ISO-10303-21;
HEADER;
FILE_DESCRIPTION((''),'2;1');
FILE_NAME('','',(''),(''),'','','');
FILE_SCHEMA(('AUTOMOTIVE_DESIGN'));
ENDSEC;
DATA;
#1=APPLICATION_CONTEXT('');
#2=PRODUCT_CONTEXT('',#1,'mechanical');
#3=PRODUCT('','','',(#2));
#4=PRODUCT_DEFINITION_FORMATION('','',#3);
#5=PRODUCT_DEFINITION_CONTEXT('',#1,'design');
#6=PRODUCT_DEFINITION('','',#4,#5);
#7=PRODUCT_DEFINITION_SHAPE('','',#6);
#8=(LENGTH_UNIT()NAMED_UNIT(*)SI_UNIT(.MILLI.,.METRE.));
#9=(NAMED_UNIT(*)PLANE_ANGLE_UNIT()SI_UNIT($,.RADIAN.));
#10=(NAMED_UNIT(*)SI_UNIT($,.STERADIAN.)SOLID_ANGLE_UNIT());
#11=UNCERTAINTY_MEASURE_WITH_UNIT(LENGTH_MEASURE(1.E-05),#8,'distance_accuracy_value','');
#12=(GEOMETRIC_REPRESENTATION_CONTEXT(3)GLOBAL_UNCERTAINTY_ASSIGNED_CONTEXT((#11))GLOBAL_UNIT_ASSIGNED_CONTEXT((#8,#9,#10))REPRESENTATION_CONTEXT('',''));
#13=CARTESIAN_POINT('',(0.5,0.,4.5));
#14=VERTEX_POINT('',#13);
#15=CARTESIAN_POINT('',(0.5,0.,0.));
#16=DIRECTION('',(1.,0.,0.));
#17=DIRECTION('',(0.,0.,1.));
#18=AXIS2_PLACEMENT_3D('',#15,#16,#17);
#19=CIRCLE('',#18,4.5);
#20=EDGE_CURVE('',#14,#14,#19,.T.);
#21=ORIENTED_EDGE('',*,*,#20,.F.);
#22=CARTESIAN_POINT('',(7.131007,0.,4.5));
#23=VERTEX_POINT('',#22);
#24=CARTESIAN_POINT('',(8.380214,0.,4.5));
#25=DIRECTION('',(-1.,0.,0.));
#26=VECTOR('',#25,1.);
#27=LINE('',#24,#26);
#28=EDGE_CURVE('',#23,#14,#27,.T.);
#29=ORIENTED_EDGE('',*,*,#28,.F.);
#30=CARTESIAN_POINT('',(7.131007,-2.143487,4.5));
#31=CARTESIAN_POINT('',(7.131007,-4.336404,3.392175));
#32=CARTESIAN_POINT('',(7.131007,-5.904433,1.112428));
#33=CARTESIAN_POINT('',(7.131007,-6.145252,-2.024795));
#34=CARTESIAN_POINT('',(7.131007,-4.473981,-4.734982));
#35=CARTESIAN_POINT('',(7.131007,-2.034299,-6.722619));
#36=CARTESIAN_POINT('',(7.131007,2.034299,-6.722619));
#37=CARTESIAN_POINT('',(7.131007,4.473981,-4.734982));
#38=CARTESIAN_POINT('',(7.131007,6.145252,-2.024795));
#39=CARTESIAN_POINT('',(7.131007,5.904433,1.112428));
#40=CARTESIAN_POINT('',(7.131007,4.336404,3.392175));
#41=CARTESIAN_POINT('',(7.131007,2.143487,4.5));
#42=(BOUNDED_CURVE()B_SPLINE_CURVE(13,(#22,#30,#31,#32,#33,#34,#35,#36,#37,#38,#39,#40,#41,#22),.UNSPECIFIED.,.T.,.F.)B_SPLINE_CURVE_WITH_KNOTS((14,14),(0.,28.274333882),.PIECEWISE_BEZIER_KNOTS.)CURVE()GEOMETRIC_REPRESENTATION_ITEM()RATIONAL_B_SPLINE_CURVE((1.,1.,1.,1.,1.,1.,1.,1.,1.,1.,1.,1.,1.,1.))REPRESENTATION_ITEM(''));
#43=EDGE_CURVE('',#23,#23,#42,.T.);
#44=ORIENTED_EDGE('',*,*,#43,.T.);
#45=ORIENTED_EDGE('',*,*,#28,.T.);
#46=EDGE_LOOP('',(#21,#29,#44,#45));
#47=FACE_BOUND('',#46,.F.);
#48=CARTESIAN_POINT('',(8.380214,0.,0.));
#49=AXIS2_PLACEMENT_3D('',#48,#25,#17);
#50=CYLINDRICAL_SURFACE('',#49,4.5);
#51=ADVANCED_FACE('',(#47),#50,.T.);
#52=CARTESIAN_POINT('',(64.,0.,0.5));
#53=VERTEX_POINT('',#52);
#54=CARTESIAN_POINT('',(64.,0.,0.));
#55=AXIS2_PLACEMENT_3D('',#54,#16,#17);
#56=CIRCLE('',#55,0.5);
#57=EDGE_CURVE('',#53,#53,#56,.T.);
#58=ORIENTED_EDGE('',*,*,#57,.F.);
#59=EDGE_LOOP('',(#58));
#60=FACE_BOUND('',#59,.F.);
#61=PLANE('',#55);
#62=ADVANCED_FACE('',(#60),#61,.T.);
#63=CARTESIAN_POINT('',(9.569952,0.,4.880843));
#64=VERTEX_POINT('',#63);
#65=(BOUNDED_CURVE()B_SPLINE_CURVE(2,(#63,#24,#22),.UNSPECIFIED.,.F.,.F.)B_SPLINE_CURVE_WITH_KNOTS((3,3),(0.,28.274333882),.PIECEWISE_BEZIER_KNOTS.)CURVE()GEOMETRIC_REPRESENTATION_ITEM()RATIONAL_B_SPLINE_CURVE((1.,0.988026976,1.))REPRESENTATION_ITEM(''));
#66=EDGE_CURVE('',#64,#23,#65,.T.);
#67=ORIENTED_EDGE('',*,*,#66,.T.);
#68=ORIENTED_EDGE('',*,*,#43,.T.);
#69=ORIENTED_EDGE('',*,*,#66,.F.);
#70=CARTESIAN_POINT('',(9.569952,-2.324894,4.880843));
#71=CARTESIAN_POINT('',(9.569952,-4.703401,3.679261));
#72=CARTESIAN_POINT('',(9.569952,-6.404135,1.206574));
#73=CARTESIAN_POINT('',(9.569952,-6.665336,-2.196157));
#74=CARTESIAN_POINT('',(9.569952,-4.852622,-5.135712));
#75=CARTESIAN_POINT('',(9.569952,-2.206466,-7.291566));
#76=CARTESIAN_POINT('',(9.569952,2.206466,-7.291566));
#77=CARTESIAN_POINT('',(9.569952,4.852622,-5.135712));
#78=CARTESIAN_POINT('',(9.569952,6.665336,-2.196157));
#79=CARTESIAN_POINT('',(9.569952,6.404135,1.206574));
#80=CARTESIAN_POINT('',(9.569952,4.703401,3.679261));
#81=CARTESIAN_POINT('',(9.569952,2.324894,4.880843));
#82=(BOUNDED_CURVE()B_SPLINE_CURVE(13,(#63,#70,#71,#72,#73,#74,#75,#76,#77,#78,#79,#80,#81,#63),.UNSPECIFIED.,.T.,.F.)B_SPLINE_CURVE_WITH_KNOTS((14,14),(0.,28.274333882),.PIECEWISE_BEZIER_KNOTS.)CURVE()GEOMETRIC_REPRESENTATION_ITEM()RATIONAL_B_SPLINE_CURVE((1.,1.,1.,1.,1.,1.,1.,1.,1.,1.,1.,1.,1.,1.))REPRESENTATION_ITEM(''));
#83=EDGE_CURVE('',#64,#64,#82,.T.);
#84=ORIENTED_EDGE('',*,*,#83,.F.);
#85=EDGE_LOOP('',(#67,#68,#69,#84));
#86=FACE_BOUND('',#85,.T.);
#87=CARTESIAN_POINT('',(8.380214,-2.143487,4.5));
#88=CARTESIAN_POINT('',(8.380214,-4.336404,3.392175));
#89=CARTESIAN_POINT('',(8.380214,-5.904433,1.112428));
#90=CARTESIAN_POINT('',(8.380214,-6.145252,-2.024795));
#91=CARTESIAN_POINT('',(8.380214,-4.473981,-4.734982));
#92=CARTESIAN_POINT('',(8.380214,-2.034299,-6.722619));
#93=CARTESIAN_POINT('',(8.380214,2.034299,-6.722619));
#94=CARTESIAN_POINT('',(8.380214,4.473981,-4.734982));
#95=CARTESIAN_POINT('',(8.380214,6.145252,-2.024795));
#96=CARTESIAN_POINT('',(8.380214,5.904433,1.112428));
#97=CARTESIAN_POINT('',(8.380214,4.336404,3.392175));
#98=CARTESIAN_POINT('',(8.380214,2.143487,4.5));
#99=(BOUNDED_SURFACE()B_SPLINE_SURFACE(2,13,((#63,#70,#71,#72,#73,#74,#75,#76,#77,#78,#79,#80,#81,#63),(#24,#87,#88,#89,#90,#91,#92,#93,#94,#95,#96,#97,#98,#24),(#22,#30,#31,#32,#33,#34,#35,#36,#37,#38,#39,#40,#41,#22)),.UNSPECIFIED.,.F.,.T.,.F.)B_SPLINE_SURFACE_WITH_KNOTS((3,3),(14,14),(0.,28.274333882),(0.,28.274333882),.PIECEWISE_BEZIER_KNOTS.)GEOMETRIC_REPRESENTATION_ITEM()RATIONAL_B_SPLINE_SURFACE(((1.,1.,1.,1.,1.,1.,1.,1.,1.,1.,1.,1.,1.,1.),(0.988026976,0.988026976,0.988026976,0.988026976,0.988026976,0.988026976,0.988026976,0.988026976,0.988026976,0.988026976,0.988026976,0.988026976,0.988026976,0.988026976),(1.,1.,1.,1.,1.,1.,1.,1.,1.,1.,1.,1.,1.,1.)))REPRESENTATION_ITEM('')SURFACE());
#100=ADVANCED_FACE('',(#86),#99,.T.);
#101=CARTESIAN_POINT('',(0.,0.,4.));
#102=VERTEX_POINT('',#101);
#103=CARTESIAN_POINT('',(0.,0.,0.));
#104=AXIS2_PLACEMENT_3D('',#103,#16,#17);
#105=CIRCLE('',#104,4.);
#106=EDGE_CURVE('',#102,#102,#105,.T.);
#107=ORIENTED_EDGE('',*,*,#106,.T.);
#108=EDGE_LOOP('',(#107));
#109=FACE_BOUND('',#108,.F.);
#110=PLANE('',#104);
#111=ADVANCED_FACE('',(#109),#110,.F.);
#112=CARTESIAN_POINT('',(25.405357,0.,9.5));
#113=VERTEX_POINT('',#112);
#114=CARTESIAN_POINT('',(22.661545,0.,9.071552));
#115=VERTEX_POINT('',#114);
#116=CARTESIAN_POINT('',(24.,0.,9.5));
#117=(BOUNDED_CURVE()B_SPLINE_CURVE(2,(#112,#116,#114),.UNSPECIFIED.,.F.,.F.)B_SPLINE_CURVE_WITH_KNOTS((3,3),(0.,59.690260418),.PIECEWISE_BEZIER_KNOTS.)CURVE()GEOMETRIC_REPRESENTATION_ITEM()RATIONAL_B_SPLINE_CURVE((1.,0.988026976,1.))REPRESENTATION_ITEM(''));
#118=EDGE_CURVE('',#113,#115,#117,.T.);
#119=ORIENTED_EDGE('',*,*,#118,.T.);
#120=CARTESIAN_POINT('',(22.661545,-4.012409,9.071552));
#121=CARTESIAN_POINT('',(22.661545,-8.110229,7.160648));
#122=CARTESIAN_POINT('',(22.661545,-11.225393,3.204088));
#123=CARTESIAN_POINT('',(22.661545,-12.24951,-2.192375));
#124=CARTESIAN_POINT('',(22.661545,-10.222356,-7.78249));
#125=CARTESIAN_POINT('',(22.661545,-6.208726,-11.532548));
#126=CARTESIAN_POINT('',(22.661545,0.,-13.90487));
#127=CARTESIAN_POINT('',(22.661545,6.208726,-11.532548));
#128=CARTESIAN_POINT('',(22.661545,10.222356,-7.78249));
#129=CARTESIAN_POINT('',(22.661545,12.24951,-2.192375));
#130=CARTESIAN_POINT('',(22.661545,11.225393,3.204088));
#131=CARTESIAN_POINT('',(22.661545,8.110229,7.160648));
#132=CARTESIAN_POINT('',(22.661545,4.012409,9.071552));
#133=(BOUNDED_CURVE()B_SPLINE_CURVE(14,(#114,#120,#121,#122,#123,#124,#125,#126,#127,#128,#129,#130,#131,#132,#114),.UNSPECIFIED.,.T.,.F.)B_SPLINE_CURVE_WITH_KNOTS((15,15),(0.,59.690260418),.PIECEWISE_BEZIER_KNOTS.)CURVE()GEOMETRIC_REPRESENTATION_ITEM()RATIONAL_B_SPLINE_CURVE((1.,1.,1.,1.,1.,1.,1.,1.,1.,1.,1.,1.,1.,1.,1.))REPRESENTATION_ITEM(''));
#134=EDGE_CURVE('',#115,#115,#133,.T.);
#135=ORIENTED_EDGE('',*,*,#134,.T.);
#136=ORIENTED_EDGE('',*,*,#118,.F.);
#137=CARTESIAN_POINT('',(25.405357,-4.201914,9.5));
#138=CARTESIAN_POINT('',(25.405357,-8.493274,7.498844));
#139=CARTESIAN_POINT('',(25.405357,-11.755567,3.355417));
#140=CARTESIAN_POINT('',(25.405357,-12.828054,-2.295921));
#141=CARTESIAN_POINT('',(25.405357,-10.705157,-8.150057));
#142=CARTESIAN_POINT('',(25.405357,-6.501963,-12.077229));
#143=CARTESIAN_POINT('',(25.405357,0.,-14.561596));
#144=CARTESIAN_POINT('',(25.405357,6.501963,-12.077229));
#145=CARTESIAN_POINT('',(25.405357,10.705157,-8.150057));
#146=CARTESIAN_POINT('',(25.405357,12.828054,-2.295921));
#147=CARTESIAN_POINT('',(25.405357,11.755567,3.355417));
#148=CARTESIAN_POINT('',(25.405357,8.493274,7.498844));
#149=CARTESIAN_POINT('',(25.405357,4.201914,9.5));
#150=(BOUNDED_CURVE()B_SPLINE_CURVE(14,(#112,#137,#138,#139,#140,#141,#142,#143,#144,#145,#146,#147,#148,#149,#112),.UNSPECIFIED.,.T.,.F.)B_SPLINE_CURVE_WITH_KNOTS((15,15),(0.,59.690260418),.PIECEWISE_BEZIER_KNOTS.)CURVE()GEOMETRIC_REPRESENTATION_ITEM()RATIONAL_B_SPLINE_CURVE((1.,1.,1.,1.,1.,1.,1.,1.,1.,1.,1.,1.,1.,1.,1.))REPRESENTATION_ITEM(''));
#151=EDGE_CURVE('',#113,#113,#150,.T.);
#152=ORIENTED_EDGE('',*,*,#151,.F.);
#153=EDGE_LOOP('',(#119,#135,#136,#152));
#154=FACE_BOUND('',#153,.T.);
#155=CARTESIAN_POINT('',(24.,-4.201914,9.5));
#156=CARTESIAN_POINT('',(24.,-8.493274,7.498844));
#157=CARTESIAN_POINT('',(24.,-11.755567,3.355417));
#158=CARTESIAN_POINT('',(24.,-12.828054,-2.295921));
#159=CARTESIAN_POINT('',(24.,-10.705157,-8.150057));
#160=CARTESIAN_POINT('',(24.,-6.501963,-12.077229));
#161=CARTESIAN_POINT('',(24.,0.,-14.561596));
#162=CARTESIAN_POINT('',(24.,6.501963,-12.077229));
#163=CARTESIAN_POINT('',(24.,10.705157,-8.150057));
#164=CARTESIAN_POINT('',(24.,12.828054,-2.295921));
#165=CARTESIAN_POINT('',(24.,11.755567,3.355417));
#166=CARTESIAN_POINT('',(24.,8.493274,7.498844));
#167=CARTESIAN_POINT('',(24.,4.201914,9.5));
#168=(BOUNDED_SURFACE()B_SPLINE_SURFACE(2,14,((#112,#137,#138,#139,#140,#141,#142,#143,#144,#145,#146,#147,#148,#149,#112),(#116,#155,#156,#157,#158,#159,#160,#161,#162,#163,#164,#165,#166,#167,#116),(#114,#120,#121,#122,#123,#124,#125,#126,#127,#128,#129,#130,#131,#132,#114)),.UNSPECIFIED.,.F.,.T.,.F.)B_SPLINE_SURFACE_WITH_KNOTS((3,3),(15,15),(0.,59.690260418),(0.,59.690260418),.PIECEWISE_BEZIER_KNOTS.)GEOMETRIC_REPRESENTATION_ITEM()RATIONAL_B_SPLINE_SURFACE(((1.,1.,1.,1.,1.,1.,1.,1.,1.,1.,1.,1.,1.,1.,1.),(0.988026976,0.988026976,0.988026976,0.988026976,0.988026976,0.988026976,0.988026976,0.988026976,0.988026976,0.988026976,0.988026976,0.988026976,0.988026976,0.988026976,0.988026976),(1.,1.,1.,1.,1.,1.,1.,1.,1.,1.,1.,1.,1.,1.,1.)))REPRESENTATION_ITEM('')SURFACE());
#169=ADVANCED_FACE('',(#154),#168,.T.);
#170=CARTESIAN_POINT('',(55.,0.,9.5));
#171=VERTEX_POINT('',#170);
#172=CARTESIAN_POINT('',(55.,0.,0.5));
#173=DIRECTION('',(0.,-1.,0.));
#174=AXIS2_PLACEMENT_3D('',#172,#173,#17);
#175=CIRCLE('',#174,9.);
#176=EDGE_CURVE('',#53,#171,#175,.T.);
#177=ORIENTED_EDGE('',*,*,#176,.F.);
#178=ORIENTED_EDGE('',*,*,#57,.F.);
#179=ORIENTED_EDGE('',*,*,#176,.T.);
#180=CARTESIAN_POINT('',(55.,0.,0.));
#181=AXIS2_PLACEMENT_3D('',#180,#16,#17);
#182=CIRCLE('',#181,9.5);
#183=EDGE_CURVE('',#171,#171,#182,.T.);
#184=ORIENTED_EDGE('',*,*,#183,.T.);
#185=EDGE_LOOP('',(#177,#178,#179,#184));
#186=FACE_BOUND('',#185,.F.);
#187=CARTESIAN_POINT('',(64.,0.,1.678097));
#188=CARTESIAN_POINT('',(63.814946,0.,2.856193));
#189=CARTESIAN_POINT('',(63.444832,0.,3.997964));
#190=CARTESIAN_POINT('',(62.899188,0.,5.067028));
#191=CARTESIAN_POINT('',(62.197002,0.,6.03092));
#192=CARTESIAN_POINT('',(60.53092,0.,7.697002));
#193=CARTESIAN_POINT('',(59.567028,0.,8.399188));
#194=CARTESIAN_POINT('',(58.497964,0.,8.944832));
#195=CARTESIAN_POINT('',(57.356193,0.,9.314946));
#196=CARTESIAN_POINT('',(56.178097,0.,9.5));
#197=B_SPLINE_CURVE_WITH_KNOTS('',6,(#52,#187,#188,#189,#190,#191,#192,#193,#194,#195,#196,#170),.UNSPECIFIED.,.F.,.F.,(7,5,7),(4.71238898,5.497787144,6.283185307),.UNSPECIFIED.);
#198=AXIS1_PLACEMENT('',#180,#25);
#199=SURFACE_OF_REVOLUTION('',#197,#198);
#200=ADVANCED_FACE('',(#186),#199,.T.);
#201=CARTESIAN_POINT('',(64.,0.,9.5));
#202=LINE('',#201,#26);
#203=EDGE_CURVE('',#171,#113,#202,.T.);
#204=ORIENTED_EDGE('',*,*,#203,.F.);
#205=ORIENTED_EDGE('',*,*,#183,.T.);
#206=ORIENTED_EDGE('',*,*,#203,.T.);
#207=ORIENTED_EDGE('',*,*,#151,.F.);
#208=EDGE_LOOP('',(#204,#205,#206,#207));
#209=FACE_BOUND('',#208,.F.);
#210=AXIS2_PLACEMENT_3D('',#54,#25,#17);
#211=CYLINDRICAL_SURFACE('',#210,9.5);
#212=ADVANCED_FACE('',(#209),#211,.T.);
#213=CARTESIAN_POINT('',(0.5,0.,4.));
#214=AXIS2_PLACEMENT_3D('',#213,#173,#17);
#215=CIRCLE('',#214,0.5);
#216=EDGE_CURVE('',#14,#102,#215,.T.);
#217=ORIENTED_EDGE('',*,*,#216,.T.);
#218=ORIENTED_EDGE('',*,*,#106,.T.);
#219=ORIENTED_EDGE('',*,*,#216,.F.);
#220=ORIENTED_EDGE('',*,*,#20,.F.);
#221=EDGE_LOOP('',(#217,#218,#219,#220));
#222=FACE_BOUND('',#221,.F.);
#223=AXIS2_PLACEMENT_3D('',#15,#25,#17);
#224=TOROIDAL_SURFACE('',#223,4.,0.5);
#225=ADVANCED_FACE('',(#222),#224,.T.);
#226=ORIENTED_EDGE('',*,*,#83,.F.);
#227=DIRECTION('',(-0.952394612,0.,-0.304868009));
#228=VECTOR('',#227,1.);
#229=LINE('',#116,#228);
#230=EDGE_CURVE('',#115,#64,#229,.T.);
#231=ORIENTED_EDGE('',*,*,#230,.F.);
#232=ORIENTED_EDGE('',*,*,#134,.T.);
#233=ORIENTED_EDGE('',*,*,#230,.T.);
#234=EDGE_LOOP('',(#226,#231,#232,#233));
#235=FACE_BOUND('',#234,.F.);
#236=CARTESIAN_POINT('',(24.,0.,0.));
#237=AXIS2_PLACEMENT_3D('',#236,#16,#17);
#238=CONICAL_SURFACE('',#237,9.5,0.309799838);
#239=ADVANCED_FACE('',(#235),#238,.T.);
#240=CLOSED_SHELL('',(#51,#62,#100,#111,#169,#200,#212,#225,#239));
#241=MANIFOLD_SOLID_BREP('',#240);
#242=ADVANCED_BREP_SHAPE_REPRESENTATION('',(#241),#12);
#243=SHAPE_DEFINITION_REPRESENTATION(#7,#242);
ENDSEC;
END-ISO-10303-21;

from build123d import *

# Parameters (mm, degrees)
F2_R = 9
F3_R = 9
F4_R = 8
F5_R = 0.5


with BuildPart() as f1:
    # F0 (on Front) → F1 (revolve)
    with BuildSketch(Plane.XZ):
        Polygon((0, 4.5), (0, 0), (64, 0), (64, 9.5), (24, 9.5), (8.380214, 4.5), align=None)
    revolve(axis=Axis((32, 0, 0), (1, 0, 0)))

    # F2
    f2_edges = [f1.edges().sort_by_distance(p)[0] for p in [
        (64, 0, -9.5),
    ]]
    fillet(f2_edges, radius=F2_R)

    # F3
    f3_edges = [f1.edges().sort_by_distance(p)[0] for p in [
        (24, 0, -9.5),
    ]]
    fillet(f3_edges, radius=F3_R)

    # F4
    f4_edges = [f1.edges().sort_by_distance(p)[0] for p in [
        (8.380214, 0, -4.5),
    ]]
    fillet(f4_edges, radius=F4_R)

    # F5
    f5_edges = [f1.edges().sort_by_distance(p)[0] for p in [
        (0, 0, -4.5),
    ]]
    fillet(f5_edges, radius=F5_R)


solid = f1.part
